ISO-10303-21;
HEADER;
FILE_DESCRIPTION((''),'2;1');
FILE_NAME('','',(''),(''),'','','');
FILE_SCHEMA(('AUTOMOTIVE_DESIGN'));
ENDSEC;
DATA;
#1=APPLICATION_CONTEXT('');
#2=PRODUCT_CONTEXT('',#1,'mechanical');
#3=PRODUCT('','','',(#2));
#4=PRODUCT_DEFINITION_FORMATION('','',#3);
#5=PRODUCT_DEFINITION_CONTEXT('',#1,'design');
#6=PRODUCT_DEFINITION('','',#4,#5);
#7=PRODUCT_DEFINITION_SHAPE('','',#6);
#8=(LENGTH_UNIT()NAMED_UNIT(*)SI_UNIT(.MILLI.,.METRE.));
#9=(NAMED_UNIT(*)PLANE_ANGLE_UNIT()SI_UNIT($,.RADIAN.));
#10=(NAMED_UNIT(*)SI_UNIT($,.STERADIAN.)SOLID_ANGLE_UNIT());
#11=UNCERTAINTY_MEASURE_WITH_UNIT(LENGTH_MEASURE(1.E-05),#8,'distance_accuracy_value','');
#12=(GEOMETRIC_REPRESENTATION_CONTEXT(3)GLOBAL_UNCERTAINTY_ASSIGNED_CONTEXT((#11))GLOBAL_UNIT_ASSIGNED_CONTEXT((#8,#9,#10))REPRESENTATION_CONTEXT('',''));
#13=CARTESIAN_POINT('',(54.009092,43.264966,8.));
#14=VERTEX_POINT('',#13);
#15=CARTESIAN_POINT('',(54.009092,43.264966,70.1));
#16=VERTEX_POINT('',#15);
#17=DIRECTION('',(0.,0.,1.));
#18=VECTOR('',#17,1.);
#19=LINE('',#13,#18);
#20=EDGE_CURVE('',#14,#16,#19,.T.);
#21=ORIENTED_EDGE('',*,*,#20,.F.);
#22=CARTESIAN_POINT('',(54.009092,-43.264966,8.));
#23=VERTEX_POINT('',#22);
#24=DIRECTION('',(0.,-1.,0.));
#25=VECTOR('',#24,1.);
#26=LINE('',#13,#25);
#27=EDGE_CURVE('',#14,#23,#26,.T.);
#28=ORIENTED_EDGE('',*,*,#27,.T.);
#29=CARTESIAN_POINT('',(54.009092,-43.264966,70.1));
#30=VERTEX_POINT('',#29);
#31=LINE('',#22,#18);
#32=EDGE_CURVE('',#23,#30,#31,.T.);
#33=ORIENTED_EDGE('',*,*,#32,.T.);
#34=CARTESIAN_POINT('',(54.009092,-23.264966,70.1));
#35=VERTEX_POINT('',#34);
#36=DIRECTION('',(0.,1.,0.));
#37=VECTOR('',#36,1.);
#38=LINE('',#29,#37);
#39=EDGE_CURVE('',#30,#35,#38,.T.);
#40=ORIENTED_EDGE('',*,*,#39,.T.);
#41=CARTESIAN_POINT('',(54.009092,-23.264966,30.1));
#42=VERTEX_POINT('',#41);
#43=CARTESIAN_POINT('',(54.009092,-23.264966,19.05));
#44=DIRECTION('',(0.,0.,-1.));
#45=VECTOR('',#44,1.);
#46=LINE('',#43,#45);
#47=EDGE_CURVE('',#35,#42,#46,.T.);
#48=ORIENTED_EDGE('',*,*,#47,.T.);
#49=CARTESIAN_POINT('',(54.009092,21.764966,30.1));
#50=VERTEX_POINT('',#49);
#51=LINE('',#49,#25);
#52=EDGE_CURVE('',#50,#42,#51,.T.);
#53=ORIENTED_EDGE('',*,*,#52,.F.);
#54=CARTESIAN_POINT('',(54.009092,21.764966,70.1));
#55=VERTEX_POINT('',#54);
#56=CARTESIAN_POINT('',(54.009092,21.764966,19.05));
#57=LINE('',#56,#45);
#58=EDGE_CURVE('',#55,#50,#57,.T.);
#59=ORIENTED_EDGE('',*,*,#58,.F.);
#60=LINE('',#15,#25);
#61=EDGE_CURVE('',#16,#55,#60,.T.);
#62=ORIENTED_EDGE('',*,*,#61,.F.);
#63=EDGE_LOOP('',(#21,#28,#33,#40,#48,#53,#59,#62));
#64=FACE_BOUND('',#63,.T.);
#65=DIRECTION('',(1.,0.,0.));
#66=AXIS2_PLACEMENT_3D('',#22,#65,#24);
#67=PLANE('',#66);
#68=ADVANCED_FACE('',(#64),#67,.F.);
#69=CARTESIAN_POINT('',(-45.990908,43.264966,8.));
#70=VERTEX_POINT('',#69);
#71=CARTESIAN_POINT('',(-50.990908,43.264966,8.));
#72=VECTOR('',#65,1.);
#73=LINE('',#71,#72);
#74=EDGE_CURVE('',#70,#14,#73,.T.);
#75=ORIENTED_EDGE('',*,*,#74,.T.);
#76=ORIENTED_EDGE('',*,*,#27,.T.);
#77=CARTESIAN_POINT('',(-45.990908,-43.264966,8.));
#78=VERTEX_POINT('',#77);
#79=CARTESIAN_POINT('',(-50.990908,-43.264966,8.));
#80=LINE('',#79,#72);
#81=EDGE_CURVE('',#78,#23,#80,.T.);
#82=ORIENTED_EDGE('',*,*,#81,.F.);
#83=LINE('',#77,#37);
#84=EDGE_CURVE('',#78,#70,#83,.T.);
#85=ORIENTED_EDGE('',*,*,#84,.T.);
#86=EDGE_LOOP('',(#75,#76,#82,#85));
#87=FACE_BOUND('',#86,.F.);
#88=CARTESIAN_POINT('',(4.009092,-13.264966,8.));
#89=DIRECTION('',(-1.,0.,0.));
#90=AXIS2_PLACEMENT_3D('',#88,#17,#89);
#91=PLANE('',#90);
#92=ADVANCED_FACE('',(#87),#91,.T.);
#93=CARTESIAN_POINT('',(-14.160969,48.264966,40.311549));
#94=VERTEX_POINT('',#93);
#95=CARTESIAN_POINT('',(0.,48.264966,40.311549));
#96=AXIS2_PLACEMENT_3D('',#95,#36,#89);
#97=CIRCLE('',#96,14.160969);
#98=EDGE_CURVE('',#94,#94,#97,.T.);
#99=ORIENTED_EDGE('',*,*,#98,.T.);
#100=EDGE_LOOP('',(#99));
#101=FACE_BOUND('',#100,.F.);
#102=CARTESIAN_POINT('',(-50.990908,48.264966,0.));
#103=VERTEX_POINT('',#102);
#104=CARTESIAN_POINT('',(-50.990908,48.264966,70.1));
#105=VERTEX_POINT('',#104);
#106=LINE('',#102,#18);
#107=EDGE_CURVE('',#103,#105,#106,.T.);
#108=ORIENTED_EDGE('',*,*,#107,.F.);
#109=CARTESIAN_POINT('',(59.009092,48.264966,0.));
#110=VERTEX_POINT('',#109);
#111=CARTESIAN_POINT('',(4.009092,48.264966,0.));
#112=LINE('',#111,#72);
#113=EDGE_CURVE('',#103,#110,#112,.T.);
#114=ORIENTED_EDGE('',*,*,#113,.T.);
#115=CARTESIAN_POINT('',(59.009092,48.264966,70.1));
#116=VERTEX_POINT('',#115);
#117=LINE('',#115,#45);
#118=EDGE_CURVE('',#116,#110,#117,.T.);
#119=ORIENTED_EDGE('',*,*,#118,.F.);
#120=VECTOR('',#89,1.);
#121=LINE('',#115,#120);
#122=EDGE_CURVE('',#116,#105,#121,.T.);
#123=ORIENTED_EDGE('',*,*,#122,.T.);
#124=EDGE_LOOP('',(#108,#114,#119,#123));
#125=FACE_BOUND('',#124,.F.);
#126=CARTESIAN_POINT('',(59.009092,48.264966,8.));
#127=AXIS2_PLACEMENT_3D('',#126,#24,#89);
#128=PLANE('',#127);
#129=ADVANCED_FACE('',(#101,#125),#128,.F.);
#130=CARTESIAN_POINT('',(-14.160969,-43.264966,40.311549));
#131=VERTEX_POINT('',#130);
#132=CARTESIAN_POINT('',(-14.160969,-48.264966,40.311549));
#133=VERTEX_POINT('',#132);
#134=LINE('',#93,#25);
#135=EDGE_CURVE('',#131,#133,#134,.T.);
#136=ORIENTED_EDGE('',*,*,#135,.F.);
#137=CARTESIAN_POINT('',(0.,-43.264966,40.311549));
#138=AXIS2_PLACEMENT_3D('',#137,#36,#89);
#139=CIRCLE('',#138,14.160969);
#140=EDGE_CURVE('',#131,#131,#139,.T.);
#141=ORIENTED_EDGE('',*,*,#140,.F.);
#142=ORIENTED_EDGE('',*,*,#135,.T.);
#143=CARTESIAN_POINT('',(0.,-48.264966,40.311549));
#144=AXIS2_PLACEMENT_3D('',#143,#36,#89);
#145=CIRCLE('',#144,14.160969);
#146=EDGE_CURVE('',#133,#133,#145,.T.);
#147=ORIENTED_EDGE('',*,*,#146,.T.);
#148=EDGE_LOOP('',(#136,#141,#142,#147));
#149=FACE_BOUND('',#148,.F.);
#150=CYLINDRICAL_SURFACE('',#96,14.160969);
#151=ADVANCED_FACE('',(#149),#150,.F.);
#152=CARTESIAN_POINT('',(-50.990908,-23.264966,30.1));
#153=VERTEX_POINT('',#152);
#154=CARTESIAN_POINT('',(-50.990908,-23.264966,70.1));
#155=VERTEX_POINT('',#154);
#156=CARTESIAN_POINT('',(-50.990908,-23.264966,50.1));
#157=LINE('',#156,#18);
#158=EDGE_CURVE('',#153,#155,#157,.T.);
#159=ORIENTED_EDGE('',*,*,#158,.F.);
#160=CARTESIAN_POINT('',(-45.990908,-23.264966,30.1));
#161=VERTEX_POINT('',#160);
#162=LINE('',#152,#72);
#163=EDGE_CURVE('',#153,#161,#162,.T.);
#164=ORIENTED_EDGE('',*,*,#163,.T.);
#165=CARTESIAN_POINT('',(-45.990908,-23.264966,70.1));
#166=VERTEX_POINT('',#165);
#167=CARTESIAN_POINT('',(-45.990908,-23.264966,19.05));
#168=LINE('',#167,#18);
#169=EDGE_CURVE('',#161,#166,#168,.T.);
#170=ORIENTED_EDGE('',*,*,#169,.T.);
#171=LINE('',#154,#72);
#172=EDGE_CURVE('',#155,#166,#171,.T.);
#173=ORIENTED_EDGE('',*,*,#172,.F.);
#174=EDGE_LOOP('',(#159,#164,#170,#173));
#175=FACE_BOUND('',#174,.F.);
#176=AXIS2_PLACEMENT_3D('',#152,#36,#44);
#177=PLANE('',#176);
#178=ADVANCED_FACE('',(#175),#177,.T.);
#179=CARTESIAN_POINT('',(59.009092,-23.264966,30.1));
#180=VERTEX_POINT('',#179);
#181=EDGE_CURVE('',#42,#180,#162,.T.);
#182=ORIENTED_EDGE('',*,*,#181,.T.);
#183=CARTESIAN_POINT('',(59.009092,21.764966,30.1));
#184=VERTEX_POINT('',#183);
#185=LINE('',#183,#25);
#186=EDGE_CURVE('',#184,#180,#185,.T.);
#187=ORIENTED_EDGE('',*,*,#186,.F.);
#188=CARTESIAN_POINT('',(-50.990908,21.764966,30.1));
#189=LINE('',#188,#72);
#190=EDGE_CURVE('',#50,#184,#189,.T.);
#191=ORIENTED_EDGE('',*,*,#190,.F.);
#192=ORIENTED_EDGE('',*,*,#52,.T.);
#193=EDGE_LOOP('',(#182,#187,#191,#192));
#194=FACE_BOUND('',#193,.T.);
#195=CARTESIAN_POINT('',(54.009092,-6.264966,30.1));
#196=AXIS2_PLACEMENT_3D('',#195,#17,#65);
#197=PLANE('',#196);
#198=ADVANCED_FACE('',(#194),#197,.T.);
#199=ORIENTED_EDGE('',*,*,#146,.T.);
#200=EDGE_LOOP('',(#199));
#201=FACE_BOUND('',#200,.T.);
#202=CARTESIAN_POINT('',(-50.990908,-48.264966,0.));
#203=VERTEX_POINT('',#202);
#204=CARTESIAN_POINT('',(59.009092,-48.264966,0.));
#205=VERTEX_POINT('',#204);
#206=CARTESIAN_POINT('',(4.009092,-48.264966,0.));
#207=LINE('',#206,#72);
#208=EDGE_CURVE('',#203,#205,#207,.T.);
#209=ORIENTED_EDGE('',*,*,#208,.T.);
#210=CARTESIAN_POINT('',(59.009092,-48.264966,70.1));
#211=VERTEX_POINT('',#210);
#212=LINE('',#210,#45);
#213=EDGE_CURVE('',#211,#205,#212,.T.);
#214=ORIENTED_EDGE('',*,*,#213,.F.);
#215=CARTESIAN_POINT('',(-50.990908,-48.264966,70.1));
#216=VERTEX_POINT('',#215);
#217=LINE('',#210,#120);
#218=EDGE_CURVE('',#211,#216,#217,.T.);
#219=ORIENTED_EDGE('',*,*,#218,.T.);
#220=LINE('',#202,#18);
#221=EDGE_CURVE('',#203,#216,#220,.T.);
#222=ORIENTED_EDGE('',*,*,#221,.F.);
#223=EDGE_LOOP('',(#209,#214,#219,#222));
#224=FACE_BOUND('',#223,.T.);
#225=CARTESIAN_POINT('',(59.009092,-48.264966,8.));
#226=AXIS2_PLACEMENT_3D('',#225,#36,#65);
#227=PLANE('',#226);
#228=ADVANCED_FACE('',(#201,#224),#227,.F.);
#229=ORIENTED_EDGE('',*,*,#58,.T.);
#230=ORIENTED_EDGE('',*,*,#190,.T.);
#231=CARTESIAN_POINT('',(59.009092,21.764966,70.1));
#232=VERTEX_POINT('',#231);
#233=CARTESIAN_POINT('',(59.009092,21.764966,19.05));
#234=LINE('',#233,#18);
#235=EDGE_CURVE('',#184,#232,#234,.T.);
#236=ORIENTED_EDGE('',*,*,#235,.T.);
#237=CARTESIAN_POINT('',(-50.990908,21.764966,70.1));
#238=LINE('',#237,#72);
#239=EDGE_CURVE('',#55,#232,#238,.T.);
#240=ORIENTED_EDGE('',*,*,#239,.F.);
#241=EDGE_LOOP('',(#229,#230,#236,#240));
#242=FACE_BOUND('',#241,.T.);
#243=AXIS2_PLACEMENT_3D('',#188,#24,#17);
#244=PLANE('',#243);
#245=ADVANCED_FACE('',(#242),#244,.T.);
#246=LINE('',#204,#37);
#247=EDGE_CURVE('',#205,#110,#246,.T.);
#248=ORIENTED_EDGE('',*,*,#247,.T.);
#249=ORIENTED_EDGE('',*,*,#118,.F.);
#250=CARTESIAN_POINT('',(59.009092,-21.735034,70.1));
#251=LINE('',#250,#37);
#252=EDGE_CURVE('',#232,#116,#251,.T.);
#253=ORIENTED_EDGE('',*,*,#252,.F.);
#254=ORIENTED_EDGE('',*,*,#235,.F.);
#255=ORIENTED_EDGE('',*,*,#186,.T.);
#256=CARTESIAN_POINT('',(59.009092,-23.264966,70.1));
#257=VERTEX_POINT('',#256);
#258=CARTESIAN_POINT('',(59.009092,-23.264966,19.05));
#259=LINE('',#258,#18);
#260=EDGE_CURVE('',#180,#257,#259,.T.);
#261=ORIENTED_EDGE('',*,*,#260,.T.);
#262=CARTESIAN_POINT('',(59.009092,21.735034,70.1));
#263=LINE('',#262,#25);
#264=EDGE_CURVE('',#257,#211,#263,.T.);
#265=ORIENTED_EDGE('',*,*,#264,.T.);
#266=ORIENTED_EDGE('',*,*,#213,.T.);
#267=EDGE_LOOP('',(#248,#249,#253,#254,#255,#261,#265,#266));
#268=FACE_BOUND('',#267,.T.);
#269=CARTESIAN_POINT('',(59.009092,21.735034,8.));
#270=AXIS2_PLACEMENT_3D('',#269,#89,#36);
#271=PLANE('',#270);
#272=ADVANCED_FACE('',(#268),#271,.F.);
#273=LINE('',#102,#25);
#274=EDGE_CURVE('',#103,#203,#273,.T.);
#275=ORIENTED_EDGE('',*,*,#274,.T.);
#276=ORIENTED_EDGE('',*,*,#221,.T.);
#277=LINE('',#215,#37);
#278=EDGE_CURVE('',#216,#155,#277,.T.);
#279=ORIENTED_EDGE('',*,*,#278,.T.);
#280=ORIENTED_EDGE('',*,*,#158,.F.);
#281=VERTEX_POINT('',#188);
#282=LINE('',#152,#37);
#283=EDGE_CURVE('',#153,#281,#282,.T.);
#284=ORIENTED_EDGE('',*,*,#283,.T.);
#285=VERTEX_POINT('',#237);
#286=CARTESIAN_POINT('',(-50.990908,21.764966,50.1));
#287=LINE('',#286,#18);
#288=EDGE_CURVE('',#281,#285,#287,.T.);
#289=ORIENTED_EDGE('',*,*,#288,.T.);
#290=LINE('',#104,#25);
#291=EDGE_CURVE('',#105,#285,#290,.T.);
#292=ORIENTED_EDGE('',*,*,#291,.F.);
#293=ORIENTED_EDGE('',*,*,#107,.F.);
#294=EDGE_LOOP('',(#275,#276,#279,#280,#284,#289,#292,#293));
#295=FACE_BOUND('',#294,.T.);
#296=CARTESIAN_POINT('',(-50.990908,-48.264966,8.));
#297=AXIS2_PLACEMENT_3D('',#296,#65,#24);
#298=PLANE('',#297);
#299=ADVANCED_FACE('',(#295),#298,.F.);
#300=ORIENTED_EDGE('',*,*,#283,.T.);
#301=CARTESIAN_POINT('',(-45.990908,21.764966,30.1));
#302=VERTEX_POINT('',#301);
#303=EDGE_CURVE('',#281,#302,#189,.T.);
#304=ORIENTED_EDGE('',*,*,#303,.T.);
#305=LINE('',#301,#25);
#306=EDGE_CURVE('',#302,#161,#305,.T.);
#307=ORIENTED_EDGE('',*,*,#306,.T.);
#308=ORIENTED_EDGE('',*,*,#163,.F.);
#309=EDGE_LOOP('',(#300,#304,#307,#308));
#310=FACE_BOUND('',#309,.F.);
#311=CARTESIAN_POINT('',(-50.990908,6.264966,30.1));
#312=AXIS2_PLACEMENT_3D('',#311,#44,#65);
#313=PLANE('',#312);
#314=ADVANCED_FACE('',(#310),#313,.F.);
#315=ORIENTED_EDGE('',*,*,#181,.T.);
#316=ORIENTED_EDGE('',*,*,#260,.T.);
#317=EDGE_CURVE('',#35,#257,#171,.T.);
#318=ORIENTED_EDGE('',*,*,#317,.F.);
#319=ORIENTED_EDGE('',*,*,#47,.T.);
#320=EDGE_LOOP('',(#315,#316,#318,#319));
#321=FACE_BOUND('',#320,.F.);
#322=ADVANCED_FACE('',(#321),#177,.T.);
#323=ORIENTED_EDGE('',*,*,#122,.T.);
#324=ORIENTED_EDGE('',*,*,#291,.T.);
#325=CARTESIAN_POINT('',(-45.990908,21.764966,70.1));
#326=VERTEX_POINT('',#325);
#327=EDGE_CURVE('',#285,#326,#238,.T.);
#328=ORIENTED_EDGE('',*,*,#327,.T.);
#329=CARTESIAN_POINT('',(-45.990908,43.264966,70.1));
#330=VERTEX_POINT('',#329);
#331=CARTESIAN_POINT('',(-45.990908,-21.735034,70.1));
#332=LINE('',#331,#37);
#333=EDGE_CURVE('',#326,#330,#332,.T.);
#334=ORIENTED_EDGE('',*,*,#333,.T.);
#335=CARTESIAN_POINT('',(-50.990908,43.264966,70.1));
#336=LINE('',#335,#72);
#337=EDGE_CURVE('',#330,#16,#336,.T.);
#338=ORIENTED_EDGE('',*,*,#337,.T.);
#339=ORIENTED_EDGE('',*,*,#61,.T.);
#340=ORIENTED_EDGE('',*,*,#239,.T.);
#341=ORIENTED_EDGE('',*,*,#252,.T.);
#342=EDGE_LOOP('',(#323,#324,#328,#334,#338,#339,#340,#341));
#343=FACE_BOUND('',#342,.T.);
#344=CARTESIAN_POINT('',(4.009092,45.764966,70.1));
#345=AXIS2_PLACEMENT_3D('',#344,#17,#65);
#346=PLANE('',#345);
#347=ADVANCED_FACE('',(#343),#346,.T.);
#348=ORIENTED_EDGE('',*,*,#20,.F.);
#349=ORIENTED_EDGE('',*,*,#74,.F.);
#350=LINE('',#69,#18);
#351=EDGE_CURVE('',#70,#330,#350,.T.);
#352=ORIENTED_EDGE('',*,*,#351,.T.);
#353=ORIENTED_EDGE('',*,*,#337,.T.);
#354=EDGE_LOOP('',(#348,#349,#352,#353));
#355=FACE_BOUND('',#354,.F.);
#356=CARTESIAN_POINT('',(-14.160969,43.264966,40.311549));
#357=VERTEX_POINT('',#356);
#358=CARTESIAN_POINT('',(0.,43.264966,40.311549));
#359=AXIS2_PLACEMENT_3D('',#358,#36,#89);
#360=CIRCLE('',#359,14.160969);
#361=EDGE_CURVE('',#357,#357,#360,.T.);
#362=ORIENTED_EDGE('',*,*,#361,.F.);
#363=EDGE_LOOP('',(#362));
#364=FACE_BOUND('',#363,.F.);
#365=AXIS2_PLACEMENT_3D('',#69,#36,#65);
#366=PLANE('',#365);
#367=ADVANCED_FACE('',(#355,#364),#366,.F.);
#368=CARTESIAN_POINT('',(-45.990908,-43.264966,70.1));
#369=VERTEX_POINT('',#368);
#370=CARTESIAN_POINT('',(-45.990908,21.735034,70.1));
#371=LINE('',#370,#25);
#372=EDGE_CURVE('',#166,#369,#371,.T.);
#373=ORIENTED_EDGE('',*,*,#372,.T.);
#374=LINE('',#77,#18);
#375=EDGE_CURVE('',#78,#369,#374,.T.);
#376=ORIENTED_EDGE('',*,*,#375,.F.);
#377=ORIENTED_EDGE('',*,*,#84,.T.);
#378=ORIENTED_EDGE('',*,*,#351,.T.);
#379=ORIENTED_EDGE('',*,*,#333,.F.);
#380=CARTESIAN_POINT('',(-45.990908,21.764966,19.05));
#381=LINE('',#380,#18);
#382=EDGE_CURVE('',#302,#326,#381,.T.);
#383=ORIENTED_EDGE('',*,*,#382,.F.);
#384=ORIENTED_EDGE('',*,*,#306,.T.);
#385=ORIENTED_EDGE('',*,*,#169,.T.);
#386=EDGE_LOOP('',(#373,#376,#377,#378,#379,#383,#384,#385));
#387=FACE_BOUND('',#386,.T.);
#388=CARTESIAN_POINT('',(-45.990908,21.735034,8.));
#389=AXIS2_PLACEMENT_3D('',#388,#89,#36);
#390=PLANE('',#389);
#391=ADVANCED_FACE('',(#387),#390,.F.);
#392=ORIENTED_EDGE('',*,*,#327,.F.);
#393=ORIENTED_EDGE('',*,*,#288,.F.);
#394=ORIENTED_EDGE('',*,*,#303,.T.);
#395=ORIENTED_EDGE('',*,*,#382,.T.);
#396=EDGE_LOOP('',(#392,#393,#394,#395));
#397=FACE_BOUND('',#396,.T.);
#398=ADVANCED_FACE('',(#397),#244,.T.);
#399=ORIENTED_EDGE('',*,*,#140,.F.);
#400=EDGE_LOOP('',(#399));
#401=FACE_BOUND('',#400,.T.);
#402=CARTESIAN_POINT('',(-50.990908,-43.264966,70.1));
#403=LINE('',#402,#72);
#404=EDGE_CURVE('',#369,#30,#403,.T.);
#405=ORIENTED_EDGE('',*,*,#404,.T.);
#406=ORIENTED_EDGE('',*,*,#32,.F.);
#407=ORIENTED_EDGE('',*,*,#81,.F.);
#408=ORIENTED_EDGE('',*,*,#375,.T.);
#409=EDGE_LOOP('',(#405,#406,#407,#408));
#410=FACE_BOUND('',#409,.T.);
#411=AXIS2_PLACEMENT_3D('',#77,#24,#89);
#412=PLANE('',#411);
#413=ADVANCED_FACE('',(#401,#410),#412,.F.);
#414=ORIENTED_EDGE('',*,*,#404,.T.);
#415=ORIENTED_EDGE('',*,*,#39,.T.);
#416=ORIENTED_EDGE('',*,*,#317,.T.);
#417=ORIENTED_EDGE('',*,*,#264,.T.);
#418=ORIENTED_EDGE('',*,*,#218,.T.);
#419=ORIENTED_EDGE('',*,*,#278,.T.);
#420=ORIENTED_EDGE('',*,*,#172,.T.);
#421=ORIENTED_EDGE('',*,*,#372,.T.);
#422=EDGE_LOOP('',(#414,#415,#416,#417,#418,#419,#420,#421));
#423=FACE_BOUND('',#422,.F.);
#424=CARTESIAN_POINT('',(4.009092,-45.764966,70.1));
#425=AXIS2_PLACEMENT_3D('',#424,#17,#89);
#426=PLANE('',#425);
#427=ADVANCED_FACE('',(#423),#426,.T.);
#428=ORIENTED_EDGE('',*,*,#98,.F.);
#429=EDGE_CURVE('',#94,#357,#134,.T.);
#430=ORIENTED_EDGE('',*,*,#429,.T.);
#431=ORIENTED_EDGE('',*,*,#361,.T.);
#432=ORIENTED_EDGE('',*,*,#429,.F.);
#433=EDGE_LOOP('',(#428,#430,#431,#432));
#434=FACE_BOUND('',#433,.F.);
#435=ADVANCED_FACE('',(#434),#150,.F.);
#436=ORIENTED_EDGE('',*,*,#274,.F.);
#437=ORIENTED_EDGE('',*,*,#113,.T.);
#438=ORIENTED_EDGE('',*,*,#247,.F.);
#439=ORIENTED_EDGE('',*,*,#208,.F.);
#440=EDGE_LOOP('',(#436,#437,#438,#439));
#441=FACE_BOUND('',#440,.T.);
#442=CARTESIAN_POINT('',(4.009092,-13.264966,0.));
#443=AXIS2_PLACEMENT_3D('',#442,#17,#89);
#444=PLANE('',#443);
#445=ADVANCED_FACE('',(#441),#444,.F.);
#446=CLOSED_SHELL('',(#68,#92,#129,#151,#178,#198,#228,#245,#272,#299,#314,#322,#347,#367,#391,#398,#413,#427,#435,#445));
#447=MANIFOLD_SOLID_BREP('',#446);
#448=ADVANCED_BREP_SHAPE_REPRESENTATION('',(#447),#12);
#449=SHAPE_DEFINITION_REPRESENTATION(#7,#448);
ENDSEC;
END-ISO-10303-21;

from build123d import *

# Parameters (mm, degrees)
F0_W      = 110
F0_H      = 70
F1_DEPTH  = 8
F2_W      = 5
F2_H      = 40
F2_H_2    = 25
F3_DEPTH  = 62.1
F4_W      = 28
F4_H      = 40
F5_DEPTH  = 117.8
F7_DEPTH  = 15.5
F8_DEPTH  = 17
F9_R      = 14.1609686348
F10_DEPTH = 96.5309327604


with BuildPart() as f1:
    # F0 (on Top) → F1 (new body)
    with BuildSketch(Plane.XY):
        with Locations((4.0090922266, 13.2649663802)):
            Rectangle(F0_W, F0_H)
    extrude(amount=F1_DEPTH)

    # F2 (on face) → F3 (join)
    with BuildSketch(Plane.XY.offset(8)):
        Polygon((59.0090922266, 48.2649663802), (-50.9909077734, 48.2649663802), (-50.9909077734, 43.2649663802), (-45.9909077734, 43.2649663802), (54.0090922266, 43.2649663802), (59.0090922266, 43.2649663802), align=None)
        with Locations((-48.4909077734, 23.2649663802)):
            Rectangle(F2_W, F2_H)
        with Locations((56.5090922266, 23.2649663802)):
            Rectangle(F2_W, F2_H)
        with Locations((-48.4909077734, -9.2350336198)):
            Rectangle(F2_W, F2_H_2)
        with Locations((56.5090922266, -9.2350336198)):
            Rectangle(F2_W, F2_H_2)
    extrude(amount=F3_DEPTH)

    # F4 (on face) → F5 (cut)
    with BuildSketch(Plane(origin=(-50.9909077734, 0, 0), x_dir=(0, -1, 0), z_dir=(-1, 0, 0))):
        with Locations((7.7350336198, 50.1)):
            Rectangle(F4_W, F4_H)
    extrude(amount=-F5_DEPTH, mode=Mode.SUBTRACT)

    # F6: F1 across plane


with BuildPart() as f1_1:
    add(f1.part)
    add(f1.part.mirror(Plane.XZ))

    # F7 (cut): faces of the model
    f7_faces = [f1_1.faces().sort_by_distance(p)[0] for p in [
        (-48.4909077734, 6.2649663802, 50.1),
        (56.5090922266, 6.2649663802, 50.1),
    ]]
    extrude(f7_faces, amount=-F7_DEPTH, mode=Mode.SUBTRACT)

    # F8 (cut): faces of the model
    f8_faces = [f1_1.faces().sort_by_distance(p)[0] for p in [
        (56.5090922266, -6.2649663802, 50.1),
        (-48.4909077734, -6.2649663802, 50.1),
    ]]
    extrude(f8_faces, amount=-F8_DEPTH, mode=Mode.SUBTRACT)

    # F9 (on face) → F10 (cut, through all)
    with BuildSketch(Plane(origin=(0, 48.2649663802, 0), x_dir=(-1, 0, 0), z_dir=(0, 1, 0))):
        with Locations((0, 40.3115488589)):
            Circle(F9_R)
    extrude(amount=-F10_DEPTH, mode=Mode.SUBTRACT)


solid = f1_1.part
